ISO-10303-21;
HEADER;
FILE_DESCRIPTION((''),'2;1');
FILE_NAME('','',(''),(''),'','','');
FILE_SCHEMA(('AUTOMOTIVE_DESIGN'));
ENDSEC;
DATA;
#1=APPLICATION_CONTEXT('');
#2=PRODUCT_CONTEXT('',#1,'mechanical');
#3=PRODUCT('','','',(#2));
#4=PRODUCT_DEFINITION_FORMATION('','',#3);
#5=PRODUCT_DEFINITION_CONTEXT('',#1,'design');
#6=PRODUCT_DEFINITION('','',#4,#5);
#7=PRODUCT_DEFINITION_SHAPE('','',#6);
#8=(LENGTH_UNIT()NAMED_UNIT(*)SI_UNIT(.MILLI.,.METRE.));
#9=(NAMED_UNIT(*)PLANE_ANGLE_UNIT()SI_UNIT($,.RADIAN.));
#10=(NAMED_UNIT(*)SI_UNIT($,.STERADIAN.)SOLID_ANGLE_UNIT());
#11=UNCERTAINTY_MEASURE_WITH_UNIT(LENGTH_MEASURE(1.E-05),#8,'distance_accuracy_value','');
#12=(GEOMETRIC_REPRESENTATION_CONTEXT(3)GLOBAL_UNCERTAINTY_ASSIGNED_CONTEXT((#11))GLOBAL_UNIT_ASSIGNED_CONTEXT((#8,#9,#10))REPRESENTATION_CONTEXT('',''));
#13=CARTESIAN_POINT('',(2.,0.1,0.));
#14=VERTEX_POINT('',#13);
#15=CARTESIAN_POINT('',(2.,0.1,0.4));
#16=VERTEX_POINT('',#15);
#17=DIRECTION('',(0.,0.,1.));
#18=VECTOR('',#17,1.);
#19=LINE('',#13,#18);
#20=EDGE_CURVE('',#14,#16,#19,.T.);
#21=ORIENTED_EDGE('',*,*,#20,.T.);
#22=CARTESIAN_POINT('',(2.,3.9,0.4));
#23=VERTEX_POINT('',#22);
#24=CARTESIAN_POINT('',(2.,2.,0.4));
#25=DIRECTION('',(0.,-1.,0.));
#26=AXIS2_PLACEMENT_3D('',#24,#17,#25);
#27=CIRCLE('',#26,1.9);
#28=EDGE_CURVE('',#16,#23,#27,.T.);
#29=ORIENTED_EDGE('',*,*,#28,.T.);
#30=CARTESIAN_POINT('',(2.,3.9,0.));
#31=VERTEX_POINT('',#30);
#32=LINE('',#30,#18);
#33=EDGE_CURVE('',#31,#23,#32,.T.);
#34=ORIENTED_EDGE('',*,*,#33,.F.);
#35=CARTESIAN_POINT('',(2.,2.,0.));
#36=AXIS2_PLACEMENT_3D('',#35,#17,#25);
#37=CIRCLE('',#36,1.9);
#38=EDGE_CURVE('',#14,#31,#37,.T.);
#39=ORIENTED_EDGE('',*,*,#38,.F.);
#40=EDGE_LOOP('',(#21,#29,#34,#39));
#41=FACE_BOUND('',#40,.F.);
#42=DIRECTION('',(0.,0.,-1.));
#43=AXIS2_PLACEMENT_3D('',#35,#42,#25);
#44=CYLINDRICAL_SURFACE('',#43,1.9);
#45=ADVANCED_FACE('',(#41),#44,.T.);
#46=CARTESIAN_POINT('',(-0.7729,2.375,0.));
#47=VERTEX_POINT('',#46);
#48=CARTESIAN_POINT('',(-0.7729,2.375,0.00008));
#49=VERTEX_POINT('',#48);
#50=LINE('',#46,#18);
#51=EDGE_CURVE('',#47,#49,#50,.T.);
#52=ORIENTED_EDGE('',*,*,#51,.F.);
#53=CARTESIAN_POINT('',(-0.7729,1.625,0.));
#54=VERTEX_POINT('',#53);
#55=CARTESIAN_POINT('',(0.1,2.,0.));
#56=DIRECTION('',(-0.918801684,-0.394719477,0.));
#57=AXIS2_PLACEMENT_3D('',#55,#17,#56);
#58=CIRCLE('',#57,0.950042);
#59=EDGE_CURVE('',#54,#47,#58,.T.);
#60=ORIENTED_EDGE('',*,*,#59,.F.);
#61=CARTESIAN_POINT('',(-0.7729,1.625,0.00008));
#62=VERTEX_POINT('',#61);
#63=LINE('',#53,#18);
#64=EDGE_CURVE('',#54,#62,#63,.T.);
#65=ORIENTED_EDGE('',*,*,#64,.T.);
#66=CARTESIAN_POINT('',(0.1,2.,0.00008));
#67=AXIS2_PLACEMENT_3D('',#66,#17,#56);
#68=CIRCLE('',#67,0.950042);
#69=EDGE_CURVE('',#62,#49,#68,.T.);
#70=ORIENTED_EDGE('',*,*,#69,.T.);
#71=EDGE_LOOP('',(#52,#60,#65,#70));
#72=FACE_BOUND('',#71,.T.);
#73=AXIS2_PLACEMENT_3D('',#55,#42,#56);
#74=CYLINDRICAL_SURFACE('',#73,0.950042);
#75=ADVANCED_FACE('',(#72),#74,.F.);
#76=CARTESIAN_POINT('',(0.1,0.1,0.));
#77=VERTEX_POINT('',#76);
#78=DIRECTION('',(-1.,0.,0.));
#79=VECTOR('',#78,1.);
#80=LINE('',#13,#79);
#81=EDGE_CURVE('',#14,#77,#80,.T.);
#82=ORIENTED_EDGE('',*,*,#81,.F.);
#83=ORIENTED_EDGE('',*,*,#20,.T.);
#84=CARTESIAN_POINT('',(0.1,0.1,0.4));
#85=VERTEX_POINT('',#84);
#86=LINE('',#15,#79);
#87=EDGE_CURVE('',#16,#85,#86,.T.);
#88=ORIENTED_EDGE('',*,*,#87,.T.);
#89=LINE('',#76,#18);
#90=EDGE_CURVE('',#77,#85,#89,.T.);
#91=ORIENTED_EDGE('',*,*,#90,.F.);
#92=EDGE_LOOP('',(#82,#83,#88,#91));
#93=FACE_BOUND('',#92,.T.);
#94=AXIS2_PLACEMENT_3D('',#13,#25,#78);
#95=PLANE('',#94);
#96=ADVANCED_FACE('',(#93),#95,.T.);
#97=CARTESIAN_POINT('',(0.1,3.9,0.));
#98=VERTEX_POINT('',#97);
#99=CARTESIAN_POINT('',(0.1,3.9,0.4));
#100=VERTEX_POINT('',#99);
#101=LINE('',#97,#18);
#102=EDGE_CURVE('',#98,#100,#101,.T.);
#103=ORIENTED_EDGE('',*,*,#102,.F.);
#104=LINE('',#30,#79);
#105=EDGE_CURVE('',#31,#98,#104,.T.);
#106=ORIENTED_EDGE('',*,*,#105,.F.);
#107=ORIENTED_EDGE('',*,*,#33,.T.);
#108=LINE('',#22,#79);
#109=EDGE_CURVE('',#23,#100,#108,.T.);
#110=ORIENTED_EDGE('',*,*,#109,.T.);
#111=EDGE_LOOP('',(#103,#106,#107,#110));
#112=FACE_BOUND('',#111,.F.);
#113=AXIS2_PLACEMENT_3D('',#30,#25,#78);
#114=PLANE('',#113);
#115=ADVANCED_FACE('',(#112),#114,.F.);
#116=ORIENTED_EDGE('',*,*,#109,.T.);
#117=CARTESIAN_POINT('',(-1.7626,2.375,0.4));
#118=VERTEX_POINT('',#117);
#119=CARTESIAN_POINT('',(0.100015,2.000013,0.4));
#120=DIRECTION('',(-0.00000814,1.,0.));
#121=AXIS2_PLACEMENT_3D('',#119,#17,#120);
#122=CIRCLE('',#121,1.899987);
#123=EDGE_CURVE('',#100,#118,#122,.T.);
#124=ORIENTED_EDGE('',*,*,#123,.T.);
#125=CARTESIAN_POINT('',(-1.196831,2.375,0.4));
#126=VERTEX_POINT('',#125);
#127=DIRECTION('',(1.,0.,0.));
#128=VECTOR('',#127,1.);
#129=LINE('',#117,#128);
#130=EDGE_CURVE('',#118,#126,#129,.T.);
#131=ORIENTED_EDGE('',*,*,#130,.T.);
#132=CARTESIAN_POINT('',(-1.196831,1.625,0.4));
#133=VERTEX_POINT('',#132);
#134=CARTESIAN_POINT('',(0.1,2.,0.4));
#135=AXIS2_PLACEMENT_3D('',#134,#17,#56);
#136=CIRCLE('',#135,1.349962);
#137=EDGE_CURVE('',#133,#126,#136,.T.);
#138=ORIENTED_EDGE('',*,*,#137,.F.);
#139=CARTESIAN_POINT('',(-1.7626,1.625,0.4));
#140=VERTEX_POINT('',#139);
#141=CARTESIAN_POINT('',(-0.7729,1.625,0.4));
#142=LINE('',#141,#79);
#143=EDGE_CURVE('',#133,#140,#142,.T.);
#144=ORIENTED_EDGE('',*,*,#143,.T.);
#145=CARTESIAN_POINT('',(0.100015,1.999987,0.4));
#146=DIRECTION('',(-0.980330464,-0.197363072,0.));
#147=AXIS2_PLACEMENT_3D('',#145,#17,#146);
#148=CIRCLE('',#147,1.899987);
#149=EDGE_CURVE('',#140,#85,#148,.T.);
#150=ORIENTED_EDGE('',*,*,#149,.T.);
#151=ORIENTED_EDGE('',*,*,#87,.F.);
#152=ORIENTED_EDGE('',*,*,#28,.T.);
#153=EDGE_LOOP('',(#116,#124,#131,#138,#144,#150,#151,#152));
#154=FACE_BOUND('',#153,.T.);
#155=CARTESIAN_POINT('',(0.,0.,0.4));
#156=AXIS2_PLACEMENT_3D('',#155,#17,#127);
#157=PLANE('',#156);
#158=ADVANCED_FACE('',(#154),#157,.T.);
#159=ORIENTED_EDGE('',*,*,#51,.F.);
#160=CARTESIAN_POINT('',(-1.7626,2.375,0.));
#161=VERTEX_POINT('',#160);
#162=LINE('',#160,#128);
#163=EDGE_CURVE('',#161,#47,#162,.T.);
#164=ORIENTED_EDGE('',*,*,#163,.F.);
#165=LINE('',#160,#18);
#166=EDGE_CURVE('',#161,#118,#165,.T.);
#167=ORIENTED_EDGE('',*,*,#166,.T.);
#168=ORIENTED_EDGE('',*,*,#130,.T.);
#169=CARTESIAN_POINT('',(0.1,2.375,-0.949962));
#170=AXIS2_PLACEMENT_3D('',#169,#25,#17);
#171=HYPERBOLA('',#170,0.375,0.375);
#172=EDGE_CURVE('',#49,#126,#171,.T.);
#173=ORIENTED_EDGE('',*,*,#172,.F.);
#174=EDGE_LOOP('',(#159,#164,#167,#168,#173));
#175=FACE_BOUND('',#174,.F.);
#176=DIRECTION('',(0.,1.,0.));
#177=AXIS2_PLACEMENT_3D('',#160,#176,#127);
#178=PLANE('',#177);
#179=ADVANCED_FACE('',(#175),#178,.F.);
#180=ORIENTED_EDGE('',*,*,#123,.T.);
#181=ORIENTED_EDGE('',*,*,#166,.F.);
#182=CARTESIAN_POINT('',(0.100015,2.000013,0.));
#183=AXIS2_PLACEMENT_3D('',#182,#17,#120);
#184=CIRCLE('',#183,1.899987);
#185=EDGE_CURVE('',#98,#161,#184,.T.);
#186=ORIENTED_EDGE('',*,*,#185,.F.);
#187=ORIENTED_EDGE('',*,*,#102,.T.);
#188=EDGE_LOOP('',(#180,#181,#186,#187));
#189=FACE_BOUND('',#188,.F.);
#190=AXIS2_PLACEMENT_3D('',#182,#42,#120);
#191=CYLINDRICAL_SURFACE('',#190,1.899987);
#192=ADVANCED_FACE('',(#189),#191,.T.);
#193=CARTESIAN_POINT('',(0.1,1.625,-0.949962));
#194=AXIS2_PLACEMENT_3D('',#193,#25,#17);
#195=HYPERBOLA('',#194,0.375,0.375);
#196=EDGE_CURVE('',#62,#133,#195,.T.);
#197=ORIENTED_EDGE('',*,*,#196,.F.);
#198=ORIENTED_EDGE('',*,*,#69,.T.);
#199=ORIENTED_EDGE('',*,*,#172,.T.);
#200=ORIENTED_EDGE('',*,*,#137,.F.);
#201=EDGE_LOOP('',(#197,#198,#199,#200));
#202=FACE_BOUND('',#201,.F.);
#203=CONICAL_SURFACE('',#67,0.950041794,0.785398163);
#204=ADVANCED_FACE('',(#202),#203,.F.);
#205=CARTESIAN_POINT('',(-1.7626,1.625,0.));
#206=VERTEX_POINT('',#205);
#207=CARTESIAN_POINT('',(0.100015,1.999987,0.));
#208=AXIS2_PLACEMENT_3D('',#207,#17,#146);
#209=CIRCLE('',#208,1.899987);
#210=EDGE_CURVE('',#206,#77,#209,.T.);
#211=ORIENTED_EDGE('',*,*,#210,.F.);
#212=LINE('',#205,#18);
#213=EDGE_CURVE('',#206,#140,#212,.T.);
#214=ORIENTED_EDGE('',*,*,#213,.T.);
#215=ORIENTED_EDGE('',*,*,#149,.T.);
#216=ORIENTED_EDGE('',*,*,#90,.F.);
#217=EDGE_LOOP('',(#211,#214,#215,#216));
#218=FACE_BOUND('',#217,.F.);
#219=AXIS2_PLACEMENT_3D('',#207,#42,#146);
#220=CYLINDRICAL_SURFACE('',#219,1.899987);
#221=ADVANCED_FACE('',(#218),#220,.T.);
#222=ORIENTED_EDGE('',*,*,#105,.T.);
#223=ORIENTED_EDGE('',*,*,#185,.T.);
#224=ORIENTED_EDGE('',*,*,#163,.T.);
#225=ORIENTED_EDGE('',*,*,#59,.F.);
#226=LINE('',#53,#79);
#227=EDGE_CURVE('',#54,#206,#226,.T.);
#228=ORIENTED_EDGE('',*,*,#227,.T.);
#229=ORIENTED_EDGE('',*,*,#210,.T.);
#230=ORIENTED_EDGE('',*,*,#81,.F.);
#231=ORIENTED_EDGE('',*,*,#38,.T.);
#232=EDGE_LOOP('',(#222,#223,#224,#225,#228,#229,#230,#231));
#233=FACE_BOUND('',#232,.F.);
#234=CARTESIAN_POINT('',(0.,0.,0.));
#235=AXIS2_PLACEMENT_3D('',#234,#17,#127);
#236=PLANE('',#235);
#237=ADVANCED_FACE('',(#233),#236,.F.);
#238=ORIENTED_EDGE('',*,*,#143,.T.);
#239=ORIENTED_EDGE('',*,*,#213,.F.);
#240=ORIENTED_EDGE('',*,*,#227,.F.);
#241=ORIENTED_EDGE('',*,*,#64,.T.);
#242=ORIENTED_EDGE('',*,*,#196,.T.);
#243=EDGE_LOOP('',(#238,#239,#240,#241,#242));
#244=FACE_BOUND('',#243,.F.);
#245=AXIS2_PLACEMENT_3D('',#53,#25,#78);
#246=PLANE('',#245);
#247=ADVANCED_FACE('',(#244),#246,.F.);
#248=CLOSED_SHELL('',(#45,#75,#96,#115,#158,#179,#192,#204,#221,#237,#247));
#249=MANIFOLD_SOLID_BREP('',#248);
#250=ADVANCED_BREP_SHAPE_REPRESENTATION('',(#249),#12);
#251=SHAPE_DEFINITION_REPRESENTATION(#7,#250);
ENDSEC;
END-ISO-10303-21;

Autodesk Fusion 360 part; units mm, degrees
sketch "Sketch1" plane through (0, 0, 0) normal (0, 0, 1) x (1, 0, 0)
  arc A0 (2, 0.1) -> (2, 3.9) centre (2, 2) ccw
  line L0 (2, 0.1) -> (0.1, 0.1)
  line L1 (2, 3.9) -> (0.1, 3.9)
  line L2 (-0.7729, 1.625) -> (-1.7626, 1.625)
  line L3 (-1.7626, 2.375) -> (-0.7729, 2.375)
  arc A1 (0.1, 3.9) -> (-1.7626, 2.375) centre (0.1, 2) ccw
  arc A2 (-1.7626, 1.625) -> (0.1, 0.1) centre (0.1, 2) ccw
  arc A3 (-0.7729, 1.625) -> (-0.7729, 2.375) centre (0.1, 2) ccw
  line L4 (0, 0) -> (10, 0) construction
  dimension "d1" = 3.8
  dimension "d2" = 3.8
  dimension "d3" = 1.9
  dimension "jointrad" = 1.9
  dimension "d5" = 0.375
  dimension "d6" = 0.75
  dimension "ypos" = 2
  dimension "xpos" = 2
  dimension "d17" = 10
  dimension "jointangle" = 180
extrude "Extrude1" add sketch "Sketch1" along normal blind 0.4
chamfer "Chamfer1" distance 0.4 angle 45 1 edges at (1.05, 2, 0.4)
equation "d1 = jointrad * 2"
equation "d2 = d1"
equation "d3 = jointrad"
equation "d5 = ( 0.75 / 2 ) * 1 mm"
equation "d6 = d5 * 2"
equation "jointdepth = 0.4 mm"
equation "d11 = jointdepth"
